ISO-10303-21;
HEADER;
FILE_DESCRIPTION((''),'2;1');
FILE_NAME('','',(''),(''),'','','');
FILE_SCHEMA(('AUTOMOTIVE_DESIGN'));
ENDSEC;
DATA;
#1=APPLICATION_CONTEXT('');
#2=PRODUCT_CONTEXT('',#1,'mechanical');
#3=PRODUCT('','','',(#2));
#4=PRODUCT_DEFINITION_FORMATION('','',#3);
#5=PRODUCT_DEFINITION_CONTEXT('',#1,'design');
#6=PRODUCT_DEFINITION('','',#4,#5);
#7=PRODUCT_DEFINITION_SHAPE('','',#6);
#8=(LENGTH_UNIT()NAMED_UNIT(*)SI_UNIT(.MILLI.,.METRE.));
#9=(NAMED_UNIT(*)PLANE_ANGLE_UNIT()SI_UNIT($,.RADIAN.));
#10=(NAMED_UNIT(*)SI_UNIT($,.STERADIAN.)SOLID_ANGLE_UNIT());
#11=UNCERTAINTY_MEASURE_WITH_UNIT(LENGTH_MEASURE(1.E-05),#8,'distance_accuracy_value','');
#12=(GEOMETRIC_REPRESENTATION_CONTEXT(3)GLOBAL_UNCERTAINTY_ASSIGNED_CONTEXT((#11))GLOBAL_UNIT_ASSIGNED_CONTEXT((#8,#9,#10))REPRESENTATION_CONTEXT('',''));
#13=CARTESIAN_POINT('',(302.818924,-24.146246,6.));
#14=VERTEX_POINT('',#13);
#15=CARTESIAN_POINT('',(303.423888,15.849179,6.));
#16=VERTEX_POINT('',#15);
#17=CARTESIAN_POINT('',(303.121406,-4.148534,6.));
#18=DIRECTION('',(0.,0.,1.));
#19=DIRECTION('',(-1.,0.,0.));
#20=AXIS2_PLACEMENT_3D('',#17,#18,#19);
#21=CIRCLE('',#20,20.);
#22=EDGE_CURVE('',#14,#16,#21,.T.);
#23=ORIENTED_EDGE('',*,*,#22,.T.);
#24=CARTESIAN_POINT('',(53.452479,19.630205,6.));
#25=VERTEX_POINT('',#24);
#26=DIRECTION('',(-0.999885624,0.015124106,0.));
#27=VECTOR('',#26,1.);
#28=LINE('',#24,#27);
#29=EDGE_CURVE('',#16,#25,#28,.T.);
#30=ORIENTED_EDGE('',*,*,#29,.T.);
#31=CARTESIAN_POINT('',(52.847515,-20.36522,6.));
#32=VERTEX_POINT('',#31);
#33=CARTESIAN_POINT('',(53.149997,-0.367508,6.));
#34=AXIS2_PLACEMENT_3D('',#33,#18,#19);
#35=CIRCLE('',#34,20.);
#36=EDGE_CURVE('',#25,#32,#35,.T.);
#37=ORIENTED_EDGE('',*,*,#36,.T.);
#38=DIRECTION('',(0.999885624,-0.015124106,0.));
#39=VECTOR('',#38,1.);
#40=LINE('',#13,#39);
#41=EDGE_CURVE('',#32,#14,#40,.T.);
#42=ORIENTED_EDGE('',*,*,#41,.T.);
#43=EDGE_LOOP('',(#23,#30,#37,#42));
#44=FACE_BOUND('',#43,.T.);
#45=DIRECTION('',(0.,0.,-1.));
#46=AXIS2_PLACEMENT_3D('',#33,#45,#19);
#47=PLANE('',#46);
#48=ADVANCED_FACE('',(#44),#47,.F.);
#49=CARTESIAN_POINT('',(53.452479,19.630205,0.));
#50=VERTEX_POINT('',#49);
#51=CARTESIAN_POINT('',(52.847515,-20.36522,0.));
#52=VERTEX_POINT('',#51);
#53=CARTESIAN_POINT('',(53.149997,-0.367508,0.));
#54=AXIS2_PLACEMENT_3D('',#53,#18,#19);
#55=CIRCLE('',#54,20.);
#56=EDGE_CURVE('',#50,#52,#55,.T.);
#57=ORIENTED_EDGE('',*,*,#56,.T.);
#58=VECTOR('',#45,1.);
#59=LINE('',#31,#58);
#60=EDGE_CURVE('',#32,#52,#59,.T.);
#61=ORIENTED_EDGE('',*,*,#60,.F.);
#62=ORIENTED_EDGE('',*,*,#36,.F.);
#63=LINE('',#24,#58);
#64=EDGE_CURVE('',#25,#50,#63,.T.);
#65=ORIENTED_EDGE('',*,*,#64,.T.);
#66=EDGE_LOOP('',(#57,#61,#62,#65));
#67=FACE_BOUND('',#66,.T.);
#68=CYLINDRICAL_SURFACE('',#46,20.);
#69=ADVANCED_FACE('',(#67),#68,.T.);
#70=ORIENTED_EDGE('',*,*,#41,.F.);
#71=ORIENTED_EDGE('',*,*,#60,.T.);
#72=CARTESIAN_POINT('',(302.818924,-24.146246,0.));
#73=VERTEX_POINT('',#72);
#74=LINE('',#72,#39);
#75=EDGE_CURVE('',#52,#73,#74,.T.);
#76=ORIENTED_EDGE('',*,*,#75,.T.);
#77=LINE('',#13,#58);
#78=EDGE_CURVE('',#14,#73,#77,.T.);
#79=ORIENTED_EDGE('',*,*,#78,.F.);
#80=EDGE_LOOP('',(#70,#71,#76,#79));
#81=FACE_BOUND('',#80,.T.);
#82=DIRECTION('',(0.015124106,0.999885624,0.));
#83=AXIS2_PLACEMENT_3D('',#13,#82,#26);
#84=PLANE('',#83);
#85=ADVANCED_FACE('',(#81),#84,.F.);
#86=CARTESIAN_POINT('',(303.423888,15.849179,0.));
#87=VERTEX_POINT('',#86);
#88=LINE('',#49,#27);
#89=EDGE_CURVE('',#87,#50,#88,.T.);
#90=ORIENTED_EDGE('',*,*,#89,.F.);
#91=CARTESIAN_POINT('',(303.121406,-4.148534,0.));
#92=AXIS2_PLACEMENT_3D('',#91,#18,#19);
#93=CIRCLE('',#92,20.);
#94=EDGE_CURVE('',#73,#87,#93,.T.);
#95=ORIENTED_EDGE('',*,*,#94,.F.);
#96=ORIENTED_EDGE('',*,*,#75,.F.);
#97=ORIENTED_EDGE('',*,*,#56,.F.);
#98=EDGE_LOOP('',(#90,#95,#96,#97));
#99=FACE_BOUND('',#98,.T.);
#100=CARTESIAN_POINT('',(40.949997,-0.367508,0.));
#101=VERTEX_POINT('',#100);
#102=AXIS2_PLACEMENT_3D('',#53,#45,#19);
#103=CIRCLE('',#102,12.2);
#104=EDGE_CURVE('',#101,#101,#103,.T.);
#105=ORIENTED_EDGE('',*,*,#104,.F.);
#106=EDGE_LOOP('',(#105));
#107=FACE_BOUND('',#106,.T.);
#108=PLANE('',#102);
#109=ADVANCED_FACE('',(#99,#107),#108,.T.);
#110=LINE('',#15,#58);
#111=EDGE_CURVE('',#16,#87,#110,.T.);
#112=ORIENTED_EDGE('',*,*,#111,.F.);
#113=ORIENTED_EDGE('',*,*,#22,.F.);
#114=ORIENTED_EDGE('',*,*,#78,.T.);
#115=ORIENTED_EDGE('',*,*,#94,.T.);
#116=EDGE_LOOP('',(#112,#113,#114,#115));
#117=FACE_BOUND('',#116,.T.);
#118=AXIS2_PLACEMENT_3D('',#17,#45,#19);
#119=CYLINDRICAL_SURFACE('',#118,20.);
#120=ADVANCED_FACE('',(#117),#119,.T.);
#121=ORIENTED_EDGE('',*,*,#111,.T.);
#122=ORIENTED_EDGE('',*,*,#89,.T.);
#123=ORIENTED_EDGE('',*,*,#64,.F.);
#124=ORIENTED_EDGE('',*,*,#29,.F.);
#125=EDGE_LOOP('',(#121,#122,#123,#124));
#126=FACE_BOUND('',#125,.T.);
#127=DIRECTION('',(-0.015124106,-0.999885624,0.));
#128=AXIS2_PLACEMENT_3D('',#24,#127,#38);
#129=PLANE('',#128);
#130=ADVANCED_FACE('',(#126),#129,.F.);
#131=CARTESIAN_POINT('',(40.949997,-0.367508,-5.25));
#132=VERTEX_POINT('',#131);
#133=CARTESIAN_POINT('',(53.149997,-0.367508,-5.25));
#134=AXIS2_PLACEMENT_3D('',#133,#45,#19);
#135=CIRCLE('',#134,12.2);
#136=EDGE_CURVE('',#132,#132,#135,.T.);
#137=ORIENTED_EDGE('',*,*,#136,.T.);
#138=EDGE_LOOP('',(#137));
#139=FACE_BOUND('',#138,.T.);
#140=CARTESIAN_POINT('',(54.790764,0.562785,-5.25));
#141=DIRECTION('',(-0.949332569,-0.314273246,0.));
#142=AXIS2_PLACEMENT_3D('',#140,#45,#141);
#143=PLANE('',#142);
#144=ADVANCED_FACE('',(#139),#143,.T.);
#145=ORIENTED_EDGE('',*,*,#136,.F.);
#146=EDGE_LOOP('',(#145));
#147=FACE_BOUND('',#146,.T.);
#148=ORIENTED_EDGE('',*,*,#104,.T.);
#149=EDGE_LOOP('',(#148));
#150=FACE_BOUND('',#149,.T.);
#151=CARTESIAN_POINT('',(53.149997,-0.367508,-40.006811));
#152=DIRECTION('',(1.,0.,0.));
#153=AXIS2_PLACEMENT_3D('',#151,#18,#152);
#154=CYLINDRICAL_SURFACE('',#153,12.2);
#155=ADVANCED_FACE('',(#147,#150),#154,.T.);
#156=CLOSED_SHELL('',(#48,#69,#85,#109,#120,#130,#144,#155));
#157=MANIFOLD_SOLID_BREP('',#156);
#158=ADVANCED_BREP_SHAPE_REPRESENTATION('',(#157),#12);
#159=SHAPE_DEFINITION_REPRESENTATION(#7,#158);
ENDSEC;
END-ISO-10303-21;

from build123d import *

# Parameters (mm, degrees)
BOSS_EXTRUDE1_DEPTH = 6
SKETCH2_R           = 12.2
BOSS_EXTRUDE2_DEPTH = 5.25


with BuildPart() as part:
    # Sketch1 → Boss-Extrude1 (new body)
    with BuildSketch(Plane.XY):
        with BuildLine():
            Line((53.452478751, 19.630204959), (303.423888155, 15.84917852))
            ThreePointArc((303.423888155, 15.84917852), (323.119118527, -4.451016075), (302.818923933, -24.146246447))
            Line((302.818923933, -24.146246447), (52.847514529, -20.365220008))
            ThreePointArc((52.847514529, -20.365220008), (33.152284157, -0.065025413), (53.452478751, 19.630204959))
        make_face()
    extrude(amount=BOSS_EXTRUDE1_DEPTH)

    # Sketch2 → Boss-Extrude2 (add)
    with BuildSketch(Plane(origin=(0, 0, 0), x_dir=(-1, 0, 0), z_dir=(0, 0, -1))):
        with Locations((-53.14999664, -0.367507524)):
            Circle(SKETCH2_R)
    extrude(amount=BOSS_EXTRUDE2_DEPTH)


solid = part.part
